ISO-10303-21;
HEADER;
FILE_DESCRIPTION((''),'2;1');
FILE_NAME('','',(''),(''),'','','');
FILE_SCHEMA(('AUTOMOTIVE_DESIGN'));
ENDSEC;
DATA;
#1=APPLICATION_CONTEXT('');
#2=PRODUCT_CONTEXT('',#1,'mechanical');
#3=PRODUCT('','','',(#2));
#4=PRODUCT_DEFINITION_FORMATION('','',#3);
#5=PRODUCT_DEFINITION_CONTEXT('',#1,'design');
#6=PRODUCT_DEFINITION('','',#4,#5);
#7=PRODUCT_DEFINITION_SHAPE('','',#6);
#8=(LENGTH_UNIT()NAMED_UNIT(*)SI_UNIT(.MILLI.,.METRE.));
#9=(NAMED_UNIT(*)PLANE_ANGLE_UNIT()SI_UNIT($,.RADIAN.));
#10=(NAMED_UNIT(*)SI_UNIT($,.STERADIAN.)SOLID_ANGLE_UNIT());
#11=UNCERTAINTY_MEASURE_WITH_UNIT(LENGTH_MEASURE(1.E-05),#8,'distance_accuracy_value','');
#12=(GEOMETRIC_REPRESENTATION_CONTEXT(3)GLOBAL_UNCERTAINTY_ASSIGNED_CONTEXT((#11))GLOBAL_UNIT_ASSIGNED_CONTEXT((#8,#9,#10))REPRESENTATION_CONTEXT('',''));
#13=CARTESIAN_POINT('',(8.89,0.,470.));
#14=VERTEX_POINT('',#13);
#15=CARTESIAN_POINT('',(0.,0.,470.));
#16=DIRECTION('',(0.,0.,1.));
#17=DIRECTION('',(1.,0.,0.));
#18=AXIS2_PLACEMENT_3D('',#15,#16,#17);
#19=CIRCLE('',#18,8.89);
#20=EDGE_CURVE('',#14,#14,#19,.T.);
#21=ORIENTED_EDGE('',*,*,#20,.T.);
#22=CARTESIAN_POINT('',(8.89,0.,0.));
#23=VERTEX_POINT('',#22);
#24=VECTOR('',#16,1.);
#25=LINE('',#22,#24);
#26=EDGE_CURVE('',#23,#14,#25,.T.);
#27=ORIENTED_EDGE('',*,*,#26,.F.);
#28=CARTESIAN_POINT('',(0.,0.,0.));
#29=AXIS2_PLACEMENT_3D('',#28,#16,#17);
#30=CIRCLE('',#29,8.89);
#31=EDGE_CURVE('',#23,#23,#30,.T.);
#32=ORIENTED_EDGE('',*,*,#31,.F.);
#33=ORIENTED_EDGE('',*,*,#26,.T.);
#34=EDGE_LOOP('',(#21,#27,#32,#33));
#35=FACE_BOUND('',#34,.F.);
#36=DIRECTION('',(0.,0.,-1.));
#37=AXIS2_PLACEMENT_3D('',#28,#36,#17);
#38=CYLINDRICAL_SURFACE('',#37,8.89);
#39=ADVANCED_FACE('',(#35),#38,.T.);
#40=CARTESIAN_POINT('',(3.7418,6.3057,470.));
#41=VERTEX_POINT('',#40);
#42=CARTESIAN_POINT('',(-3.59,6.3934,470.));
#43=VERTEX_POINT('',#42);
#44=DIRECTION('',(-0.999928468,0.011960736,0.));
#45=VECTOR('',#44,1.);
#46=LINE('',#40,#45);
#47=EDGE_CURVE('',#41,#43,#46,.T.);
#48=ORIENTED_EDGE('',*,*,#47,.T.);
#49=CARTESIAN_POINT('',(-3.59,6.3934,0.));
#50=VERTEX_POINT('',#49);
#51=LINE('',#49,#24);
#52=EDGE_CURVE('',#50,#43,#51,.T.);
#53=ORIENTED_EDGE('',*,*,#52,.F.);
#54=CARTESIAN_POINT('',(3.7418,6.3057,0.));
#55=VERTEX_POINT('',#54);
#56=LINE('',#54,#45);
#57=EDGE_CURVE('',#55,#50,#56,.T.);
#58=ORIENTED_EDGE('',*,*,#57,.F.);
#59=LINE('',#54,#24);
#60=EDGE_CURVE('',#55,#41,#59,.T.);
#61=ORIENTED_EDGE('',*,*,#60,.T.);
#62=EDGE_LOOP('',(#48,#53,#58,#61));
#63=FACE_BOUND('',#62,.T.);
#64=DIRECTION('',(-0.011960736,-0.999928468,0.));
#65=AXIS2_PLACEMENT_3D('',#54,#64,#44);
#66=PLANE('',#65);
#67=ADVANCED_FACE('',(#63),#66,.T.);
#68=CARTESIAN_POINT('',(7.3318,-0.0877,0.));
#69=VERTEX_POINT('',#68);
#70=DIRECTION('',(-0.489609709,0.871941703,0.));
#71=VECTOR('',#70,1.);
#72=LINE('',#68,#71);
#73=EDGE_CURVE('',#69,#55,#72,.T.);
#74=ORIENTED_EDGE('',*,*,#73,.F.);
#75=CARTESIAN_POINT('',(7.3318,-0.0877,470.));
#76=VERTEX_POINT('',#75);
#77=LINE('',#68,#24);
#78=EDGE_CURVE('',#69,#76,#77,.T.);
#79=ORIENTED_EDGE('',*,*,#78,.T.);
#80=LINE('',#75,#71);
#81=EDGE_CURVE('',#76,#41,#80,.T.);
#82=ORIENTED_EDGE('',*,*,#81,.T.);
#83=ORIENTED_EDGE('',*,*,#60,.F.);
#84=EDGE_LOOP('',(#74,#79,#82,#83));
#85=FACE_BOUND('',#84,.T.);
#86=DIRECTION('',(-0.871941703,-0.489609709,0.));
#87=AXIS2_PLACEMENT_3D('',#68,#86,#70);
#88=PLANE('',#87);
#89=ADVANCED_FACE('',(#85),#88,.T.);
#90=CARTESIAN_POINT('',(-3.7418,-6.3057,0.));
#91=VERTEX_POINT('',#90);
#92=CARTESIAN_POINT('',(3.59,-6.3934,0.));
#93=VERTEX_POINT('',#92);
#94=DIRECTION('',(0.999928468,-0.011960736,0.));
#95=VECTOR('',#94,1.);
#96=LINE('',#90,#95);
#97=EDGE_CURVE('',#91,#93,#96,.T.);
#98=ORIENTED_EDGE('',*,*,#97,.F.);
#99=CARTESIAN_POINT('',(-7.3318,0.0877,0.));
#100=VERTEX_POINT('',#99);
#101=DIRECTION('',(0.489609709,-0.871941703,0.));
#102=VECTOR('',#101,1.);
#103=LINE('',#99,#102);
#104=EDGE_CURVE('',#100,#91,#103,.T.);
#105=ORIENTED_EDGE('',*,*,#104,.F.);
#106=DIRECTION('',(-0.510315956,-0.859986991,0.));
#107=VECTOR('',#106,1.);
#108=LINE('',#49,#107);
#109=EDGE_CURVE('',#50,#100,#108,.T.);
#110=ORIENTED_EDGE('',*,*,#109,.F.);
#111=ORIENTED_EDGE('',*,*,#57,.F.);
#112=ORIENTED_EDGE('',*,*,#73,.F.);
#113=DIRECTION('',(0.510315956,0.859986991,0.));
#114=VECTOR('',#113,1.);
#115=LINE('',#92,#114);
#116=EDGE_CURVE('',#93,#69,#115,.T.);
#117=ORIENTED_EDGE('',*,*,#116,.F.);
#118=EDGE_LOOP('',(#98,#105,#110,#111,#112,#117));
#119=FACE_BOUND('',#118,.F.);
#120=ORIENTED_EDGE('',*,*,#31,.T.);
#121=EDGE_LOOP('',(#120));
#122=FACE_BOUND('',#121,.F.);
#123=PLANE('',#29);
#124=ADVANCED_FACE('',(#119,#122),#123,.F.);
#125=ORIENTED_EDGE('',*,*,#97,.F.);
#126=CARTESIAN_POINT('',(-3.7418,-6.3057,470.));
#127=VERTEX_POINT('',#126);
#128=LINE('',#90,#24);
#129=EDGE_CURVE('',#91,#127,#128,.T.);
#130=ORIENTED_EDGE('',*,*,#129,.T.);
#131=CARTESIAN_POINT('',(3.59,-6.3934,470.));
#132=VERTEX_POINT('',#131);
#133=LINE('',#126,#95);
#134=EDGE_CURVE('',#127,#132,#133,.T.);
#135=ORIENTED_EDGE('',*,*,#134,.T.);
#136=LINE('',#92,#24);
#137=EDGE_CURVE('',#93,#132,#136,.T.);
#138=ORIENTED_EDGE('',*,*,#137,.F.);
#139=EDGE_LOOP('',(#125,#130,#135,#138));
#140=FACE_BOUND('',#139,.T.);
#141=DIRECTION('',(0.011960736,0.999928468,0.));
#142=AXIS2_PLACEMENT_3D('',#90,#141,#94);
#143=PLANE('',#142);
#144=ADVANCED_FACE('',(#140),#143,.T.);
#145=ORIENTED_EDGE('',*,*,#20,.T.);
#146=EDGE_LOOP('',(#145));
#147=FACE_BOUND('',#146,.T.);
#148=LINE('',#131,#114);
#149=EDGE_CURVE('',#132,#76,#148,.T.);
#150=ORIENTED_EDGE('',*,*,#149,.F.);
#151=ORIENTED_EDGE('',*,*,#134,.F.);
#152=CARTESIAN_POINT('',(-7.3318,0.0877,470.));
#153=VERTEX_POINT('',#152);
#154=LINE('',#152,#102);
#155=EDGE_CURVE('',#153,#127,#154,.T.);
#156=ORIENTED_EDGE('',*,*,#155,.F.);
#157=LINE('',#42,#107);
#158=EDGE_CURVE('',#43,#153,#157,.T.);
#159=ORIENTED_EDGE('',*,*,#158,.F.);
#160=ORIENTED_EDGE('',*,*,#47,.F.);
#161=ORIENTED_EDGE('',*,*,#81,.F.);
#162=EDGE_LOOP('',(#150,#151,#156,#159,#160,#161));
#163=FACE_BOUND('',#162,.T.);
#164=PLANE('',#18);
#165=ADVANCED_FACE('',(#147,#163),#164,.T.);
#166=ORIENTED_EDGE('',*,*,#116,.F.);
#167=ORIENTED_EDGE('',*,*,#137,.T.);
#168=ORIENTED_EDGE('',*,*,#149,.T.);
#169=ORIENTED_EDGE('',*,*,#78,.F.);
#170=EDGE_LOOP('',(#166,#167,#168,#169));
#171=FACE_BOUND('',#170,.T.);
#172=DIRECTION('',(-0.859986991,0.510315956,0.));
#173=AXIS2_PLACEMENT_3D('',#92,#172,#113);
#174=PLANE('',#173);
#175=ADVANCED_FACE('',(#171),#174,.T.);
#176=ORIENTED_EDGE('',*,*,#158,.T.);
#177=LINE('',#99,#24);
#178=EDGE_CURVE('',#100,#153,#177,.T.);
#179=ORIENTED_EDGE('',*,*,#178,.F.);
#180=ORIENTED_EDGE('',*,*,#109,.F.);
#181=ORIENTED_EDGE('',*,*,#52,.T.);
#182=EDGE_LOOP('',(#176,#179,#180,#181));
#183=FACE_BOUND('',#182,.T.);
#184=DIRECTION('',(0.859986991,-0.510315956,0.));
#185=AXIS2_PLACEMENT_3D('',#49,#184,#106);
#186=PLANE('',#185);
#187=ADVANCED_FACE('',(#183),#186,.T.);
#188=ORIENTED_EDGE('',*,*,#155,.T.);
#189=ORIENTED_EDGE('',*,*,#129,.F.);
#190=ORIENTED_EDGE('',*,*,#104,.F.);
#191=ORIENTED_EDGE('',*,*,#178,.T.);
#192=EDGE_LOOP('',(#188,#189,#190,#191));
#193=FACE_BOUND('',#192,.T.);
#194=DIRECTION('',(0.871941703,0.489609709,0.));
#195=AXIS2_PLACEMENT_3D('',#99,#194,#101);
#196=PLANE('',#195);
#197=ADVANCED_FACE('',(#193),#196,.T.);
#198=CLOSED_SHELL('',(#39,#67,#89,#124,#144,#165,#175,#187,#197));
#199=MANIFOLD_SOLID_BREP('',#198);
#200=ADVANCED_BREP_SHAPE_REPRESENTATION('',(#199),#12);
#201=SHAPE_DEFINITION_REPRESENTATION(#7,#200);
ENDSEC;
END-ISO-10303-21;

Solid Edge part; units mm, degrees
sketch "Sketch1" plane through (0, 0, 0) normal (0, 0, 1) x (1, 0, 0)
  line L0 (7.3318, -0.0877) -> (3.7418, 6.3057)
  line L1 (3.7418, 6.3057) -> (-3.59, 6.3934)
  line L2 (-3.59, 6.3934) -> (-7.3318, 0.0877)
  line L3 (-7.3318, 0.0877) -> (-3.7418, -6.3057)
  line L4 (-3.7418, -6.3057) -> (3.59, -6.3934)
  line L5 (3.59, -6.3934) -> (7.3318, -0.0877)
  circle A0 centre (0, 0) radius 8.89
  dimension "D1" = 12.7
  dimension "D2" = 17.78
extrude "Protrusion1" add sketch "Sketch1" along normal blind 470
properties part number "BumbleB0546"
